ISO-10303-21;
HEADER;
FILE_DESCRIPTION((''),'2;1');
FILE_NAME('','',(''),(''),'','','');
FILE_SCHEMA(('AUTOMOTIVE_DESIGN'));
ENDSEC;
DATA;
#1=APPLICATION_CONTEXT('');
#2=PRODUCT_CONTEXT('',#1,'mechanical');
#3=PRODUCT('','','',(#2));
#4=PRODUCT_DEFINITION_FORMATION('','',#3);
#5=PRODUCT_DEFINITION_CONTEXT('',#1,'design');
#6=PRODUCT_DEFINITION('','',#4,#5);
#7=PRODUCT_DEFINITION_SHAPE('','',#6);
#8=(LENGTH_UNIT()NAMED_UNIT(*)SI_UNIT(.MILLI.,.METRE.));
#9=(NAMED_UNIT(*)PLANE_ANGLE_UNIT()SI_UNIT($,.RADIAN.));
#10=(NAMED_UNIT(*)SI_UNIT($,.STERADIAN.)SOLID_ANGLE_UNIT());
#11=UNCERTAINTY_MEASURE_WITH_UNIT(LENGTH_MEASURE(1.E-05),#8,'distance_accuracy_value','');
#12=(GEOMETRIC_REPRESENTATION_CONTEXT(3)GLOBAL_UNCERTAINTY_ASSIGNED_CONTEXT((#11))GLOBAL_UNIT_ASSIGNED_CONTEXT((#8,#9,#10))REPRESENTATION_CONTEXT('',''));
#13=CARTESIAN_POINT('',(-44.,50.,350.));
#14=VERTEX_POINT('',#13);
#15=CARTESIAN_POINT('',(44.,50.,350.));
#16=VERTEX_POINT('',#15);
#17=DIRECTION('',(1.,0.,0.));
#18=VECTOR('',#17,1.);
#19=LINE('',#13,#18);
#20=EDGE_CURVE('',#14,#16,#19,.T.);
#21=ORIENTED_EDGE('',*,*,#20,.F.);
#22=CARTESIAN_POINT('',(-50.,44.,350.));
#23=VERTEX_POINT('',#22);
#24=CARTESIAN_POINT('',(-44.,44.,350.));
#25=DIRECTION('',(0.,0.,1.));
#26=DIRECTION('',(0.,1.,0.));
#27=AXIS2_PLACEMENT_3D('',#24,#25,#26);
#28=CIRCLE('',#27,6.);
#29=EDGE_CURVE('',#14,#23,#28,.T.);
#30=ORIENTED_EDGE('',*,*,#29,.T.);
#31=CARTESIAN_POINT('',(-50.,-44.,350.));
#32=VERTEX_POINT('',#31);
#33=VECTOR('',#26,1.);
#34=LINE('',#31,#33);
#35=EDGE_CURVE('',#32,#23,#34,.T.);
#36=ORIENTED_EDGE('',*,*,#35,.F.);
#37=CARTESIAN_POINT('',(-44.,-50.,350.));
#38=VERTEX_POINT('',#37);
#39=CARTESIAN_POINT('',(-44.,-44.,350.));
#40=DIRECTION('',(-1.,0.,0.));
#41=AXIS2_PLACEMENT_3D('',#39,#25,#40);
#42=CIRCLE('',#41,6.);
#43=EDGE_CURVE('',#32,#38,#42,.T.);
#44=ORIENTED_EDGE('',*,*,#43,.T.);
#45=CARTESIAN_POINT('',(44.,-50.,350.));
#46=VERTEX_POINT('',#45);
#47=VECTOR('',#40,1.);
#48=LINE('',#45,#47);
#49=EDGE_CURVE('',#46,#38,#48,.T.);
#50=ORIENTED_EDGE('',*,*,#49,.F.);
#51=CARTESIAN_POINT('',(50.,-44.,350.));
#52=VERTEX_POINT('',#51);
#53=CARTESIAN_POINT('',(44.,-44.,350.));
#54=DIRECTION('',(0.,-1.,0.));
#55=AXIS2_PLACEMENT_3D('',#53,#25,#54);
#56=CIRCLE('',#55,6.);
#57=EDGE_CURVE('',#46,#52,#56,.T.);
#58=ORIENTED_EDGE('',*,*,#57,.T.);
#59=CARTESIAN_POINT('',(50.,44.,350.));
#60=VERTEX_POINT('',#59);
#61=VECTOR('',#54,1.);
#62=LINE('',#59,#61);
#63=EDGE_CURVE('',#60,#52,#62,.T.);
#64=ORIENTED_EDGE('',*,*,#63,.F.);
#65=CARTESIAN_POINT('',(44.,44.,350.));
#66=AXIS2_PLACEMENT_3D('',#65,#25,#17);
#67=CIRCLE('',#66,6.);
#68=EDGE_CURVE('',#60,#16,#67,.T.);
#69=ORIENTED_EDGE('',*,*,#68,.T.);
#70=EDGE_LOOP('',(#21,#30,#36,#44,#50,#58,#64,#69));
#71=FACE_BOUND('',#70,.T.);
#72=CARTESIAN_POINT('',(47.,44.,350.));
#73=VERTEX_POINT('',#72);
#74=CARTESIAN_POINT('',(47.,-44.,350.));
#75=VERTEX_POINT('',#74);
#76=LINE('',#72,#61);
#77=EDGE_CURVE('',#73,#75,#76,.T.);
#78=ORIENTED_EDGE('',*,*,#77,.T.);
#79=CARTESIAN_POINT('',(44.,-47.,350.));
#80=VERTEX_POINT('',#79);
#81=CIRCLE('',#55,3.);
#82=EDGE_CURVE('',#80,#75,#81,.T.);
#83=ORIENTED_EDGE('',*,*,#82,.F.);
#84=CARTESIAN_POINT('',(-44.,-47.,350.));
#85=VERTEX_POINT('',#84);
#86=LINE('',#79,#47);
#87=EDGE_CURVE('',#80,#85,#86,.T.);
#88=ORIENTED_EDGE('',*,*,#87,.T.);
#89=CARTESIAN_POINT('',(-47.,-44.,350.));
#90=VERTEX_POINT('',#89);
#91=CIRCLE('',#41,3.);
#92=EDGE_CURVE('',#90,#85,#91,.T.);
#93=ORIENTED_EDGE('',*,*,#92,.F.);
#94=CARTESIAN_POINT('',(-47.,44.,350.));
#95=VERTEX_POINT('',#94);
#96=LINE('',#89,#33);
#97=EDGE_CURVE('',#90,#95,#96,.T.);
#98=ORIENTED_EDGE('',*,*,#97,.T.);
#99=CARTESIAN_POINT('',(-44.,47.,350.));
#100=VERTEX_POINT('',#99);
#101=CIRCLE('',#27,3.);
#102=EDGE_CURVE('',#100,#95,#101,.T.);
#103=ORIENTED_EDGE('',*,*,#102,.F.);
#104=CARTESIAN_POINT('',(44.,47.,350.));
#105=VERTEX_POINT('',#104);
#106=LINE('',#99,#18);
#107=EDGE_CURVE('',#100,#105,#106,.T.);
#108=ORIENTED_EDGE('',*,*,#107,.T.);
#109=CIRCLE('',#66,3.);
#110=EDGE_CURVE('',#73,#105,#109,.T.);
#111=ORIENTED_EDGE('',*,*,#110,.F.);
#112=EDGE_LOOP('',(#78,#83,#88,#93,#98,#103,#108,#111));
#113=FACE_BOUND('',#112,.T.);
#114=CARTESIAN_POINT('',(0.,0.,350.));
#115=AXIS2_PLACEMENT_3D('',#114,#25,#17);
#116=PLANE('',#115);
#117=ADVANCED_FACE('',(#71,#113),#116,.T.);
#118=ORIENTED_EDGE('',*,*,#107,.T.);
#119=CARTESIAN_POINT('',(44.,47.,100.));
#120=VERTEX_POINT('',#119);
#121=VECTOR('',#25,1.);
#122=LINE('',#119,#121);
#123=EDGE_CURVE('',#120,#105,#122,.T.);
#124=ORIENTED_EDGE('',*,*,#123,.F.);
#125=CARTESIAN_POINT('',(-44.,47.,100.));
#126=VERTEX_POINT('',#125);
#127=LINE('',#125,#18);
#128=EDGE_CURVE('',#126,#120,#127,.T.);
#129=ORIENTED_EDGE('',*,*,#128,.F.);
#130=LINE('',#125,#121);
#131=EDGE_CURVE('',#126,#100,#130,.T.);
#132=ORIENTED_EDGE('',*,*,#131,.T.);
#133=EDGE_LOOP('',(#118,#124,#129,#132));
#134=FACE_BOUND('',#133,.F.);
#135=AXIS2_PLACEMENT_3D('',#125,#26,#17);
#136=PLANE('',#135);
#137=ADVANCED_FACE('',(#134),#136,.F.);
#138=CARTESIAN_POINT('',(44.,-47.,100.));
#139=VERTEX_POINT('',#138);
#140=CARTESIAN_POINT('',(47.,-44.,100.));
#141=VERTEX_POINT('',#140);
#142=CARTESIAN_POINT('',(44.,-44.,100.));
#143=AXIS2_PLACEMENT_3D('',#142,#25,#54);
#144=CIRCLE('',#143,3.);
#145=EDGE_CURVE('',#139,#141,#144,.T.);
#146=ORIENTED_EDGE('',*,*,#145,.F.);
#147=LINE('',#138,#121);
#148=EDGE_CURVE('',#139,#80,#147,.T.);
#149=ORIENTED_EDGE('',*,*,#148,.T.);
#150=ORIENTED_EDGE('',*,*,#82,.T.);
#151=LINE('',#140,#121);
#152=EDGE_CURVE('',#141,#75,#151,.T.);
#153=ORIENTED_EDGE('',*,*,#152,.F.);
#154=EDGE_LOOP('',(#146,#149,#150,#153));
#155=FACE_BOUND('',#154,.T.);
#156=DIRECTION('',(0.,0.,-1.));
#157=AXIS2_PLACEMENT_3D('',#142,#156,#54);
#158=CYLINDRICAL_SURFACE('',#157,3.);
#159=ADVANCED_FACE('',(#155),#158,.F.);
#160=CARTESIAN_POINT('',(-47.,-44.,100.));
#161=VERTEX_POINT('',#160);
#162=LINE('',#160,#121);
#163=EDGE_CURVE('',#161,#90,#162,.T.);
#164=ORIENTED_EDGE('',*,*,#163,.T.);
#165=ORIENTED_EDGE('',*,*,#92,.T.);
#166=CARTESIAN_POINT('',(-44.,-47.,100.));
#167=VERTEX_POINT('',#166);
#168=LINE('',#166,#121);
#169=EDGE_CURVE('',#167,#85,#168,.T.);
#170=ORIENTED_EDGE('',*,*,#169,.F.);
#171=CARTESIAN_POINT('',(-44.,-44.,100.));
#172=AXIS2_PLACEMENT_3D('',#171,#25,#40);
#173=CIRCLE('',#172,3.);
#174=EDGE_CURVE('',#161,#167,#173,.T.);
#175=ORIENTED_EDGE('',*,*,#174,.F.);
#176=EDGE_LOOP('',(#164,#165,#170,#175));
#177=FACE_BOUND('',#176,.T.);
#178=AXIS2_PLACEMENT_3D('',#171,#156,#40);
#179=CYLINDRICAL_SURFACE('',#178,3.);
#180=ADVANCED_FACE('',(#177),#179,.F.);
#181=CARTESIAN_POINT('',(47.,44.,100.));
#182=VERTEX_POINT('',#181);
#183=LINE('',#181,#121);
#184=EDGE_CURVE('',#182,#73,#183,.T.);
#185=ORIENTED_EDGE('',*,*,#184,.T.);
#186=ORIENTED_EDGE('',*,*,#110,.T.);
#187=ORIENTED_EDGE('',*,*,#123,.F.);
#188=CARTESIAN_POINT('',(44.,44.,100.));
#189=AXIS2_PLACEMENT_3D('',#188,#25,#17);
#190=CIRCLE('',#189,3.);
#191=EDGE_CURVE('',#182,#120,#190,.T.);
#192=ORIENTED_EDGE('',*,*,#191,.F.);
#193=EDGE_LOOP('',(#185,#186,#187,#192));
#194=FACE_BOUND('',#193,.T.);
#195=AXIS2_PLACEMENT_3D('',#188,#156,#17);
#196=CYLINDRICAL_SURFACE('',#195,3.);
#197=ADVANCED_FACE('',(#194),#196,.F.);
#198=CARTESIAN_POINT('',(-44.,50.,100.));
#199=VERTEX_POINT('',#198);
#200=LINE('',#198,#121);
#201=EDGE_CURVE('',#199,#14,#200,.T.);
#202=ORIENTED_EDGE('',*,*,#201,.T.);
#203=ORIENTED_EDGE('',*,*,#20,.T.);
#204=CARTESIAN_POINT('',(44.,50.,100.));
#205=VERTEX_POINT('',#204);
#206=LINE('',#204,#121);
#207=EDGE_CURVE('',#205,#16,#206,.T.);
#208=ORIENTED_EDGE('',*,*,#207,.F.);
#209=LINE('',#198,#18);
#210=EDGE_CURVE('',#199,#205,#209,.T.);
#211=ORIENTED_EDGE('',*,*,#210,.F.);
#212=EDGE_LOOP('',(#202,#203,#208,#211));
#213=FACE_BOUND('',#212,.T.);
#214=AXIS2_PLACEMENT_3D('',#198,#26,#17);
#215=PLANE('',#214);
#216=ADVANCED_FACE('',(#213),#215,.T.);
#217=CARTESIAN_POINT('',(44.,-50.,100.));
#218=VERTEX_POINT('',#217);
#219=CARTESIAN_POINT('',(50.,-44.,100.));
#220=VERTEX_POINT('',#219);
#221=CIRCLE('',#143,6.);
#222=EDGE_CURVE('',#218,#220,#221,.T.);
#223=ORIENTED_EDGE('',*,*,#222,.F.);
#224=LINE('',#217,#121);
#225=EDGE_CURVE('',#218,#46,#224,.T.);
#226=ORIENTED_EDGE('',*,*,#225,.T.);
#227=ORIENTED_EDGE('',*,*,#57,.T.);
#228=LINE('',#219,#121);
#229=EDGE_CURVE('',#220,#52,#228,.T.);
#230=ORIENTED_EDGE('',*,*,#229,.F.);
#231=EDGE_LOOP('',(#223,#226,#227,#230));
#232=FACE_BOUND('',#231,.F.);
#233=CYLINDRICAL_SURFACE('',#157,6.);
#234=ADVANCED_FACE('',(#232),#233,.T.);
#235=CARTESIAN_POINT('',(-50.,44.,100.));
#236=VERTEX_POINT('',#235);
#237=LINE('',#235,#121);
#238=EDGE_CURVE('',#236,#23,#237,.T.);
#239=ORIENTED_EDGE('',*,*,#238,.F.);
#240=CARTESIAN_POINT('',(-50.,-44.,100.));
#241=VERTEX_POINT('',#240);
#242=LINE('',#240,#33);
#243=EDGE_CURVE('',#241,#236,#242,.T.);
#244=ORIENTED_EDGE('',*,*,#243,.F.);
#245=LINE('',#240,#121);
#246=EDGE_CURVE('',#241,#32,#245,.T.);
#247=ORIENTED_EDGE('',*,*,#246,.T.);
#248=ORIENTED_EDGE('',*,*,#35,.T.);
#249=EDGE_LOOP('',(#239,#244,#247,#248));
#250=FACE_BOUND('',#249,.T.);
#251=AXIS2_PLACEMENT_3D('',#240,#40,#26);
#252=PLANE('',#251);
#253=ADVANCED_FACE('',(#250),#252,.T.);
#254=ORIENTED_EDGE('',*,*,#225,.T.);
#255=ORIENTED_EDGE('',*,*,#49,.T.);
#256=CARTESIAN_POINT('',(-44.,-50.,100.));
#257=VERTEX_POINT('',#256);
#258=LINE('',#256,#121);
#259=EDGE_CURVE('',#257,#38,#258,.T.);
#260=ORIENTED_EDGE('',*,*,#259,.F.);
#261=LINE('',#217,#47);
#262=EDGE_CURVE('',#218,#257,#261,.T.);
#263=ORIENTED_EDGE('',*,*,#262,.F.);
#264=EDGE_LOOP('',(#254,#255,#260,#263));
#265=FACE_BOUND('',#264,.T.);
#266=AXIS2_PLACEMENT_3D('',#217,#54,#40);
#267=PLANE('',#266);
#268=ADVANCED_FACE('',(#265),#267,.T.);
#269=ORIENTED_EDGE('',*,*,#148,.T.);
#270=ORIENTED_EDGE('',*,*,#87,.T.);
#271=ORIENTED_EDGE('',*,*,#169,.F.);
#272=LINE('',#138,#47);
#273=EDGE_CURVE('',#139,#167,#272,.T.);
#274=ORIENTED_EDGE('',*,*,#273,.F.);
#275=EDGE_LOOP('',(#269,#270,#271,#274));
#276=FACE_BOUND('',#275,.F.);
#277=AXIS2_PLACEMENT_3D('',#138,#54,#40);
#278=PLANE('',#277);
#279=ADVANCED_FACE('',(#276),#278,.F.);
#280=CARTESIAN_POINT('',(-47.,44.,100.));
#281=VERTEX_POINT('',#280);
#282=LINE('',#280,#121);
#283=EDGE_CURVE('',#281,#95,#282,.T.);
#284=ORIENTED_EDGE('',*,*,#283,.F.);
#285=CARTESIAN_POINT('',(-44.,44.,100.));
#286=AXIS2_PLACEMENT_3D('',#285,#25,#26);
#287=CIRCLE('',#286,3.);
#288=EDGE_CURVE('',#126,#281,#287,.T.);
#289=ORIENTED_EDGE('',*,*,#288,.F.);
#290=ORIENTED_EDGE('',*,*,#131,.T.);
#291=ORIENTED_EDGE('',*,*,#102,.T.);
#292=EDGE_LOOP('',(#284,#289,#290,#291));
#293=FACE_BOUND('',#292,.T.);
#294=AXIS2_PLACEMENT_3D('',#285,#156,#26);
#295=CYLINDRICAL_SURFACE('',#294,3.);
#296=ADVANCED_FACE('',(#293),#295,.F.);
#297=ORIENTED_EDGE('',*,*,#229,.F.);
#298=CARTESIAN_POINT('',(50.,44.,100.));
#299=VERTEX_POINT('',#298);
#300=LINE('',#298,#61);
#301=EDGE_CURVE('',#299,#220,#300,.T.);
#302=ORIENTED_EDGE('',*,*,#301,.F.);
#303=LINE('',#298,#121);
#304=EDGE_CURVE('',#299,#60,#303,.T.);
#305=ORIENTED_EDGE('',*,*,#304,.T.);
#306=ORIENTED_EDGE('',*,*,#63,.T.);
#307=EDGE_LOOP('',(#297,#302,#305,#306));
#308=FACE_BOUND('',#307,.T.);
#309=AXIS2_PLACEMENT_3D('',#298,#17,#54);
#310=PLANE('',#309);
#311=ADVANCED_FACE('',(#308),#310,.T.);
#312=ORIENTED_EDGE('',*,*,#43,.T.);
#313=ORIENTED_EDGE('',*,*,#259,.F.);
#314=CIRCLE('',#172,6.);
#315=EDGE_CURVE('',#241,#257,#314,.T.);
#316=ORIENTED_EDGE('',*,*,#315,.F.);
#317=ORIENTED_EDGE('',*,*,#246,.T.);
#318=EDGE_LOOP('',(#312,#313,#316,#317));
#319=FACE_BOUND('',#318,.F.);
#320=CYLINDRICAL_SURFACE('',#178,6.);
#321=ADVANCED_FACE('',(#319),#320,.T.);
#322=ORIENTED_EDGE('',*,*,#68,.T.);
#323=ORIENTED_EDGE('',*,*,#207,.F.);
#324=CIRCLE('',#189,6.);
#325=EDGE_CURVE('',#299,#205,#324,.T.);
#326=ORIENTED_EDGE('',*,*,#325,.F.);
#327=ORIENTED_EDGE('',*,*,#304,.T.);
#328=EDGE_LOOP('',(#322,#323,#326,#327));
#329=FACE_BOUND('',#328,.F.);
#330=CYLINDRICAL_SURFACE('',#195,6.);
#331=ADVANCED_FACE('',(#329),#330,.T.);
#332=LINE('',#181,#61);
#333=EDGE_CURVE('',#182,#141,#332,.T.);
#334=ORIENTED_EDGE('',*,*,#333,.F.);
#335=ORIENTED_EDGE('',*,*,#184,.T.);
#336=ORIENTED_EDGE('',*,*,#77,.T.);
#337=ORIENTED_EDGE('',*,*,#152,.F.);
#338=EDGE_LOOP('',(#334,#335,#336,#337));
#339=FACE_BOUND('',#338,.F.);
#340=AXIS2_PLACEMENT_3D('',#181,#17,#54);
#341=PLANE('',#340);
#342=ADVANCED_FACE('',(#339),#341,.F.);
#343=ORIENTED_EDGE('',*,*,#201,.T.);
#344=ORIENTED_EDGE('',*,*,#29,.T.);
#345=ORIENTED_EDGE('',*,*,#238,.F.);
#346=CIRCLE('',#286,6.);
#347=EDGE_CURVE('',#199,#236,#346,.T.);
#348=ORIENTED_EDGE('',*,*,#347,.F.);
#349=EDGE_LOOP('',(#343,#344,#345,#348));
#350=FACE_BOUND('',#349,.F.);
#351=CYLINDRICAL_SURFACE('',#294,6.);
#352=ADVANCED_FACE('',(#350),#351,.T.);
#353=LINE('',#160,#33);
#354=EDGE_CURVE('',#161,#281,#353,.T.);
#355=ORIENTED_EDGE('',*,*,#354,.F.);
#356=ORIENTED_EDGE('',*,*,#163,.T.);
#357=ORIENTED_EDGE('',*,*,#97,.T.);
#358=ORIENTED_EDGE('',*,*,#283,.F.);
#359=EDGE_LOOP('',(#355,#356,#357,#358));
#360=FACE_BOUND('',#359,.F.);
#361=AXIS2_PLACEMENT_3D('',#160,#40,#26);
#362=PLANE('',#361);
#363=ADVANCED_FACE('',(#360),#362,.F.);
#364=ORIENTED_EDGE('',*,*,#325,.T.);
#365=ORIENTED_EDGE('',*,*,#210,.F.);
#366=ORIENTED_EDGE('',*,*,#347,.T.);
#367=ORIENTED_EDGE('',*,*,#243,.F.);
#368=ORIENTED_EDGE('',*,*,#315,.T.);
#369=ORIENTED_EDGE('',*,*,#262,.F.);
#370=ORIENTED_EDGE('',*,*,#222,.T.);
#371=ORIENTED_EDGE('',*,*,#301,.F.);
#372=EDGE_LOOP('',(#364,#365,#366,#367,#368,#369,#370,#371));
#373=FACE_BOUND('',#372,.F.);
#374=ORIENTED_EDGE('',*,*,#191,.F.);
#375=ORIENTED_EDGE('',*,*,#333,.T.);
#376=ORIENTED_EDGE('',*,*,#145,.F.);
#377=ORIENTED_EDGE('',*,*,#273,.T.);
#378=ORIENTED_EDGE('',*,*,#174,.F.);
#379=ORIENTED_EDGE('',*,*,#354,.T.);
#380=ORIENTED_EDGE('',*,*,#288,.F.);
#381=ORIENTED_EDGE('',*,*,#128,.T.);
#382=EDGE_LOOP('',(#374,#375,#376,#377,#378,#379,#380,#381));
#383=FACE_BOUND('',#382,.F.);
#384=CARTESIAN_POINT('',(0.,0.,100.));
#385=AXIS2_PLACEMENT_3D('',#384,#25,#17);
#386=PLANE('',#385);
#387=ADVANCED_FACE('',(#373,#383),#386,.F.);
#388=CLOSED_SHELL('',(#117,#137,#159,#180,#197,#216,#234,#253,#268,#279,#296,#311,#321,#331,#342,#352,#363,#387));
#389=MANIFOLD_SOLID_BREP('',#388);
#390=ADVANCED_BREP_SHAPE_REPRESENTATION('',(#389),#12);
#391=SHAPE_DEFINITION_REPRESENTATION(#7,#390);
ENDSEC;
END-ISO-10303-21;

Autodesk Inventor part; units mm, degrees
ref_plane "YZ Plane" through (0, 0, 0) normal (1, 0, 0) x (0, 1, 0)
ref_plane "Start Plane" through (0, 0, 100) normal (0, 0, 1) x (1, 0, 0)
ref_plane "End Plane" through (0, 0, 350) normal (0, 0, 1) x (1, 0, 0)
sketch "Sketch" plane through (0, 0, 0) normal (0, 0, 1) x (1, 0, 0)
  line L0 (-50, -44) -> (-50, 44)
  line L1 (-44, 50) -> (44, 50)
  line L2 (50, 44) -> (50, -44)
  line L3 (44, -50) -> (-44, -50)
  arc A0 (-50, -44) -> (-44, -50) centre (-44, -44) ccw
  arc A1 (50, 44) -> (44, 50) centre (44, 44) ccw
  arc A2 (-44, 50) -> (-50, 44) centre (-44, 44) ccw
  arc A3 (44, -50) -> (50, -44) centre (44, -44) ccw
  arc A4 (-44, 47) -> (-47, 44) centre (-44, 44) ccw
  line L4 (-44, 47) -> (44, 47)
  arc A5 (47, 44) -> (44, 47) centre (44, 44) ccw
  line L5 (47, 44) -> (47, -44)
  arc A6 (44, -47) -> (47, -44) centre (44, -44) ccw
  line L6 (44, -47) -> (-44, -47)
  arc A7 (-47, -44) -> (-44, -47) centre (-44, -44) ccw
  line L7 (-47, -44) -> (-47, 44)
  line L8 (0, 71.7397) -> (0, -71.7397) construction
  line L9 (-71.7397, 0) -> (71.7397, 0) construction
  dimension "d7" = 6
  dimension "d9" = 100
  dimension "d11" = 100
  dimension "d12" = 3
  dimension "d15" = 50
  dimension "d16" = 50
extrude "Body" add sketch "Sketch" along normal up to surface (250 mm away) from surface at 100
sketch "Sketch3" plane through (0, 0, 0) normal (0, 0, 1) x (1, 0, 0)
  line L0 (0, 0) -> (10, 0)
ref_plane "Work Plane3" through (0, 0, 0) normal (0, -1, 0) x (1, 0, 0)
sketch "Sketch4" plane through (0, 0, 0) normal (0, -1, 0) x (1, 0, 0)
  line L0 (-2, 100) -> (12, 100) projected
  line L1 (-2, 350) -> (12, 350) projected
  dimension "d18" = 250
equation "\"d7\" = G_IR"
equation "\"d9\" = G_W"
equation "\"d11\" = G_H"
equation "\"d12\" = G_T"
equation "\"d15\" = 0.5 * d9"
equation "\"d16\" = 0.5 * d11"
equation "\"d3\" = G_L"
equation "\"G_W\" = 100"
equation "\"G_H\" = 100"
equation "\"G_T\" = 3"
equation "\"G_IR\" = 6"
equation "\"G_L\" = d18"
properties part number "ISO 10799-2 - 100x100x3 - 250" material "Steel, Mild"
